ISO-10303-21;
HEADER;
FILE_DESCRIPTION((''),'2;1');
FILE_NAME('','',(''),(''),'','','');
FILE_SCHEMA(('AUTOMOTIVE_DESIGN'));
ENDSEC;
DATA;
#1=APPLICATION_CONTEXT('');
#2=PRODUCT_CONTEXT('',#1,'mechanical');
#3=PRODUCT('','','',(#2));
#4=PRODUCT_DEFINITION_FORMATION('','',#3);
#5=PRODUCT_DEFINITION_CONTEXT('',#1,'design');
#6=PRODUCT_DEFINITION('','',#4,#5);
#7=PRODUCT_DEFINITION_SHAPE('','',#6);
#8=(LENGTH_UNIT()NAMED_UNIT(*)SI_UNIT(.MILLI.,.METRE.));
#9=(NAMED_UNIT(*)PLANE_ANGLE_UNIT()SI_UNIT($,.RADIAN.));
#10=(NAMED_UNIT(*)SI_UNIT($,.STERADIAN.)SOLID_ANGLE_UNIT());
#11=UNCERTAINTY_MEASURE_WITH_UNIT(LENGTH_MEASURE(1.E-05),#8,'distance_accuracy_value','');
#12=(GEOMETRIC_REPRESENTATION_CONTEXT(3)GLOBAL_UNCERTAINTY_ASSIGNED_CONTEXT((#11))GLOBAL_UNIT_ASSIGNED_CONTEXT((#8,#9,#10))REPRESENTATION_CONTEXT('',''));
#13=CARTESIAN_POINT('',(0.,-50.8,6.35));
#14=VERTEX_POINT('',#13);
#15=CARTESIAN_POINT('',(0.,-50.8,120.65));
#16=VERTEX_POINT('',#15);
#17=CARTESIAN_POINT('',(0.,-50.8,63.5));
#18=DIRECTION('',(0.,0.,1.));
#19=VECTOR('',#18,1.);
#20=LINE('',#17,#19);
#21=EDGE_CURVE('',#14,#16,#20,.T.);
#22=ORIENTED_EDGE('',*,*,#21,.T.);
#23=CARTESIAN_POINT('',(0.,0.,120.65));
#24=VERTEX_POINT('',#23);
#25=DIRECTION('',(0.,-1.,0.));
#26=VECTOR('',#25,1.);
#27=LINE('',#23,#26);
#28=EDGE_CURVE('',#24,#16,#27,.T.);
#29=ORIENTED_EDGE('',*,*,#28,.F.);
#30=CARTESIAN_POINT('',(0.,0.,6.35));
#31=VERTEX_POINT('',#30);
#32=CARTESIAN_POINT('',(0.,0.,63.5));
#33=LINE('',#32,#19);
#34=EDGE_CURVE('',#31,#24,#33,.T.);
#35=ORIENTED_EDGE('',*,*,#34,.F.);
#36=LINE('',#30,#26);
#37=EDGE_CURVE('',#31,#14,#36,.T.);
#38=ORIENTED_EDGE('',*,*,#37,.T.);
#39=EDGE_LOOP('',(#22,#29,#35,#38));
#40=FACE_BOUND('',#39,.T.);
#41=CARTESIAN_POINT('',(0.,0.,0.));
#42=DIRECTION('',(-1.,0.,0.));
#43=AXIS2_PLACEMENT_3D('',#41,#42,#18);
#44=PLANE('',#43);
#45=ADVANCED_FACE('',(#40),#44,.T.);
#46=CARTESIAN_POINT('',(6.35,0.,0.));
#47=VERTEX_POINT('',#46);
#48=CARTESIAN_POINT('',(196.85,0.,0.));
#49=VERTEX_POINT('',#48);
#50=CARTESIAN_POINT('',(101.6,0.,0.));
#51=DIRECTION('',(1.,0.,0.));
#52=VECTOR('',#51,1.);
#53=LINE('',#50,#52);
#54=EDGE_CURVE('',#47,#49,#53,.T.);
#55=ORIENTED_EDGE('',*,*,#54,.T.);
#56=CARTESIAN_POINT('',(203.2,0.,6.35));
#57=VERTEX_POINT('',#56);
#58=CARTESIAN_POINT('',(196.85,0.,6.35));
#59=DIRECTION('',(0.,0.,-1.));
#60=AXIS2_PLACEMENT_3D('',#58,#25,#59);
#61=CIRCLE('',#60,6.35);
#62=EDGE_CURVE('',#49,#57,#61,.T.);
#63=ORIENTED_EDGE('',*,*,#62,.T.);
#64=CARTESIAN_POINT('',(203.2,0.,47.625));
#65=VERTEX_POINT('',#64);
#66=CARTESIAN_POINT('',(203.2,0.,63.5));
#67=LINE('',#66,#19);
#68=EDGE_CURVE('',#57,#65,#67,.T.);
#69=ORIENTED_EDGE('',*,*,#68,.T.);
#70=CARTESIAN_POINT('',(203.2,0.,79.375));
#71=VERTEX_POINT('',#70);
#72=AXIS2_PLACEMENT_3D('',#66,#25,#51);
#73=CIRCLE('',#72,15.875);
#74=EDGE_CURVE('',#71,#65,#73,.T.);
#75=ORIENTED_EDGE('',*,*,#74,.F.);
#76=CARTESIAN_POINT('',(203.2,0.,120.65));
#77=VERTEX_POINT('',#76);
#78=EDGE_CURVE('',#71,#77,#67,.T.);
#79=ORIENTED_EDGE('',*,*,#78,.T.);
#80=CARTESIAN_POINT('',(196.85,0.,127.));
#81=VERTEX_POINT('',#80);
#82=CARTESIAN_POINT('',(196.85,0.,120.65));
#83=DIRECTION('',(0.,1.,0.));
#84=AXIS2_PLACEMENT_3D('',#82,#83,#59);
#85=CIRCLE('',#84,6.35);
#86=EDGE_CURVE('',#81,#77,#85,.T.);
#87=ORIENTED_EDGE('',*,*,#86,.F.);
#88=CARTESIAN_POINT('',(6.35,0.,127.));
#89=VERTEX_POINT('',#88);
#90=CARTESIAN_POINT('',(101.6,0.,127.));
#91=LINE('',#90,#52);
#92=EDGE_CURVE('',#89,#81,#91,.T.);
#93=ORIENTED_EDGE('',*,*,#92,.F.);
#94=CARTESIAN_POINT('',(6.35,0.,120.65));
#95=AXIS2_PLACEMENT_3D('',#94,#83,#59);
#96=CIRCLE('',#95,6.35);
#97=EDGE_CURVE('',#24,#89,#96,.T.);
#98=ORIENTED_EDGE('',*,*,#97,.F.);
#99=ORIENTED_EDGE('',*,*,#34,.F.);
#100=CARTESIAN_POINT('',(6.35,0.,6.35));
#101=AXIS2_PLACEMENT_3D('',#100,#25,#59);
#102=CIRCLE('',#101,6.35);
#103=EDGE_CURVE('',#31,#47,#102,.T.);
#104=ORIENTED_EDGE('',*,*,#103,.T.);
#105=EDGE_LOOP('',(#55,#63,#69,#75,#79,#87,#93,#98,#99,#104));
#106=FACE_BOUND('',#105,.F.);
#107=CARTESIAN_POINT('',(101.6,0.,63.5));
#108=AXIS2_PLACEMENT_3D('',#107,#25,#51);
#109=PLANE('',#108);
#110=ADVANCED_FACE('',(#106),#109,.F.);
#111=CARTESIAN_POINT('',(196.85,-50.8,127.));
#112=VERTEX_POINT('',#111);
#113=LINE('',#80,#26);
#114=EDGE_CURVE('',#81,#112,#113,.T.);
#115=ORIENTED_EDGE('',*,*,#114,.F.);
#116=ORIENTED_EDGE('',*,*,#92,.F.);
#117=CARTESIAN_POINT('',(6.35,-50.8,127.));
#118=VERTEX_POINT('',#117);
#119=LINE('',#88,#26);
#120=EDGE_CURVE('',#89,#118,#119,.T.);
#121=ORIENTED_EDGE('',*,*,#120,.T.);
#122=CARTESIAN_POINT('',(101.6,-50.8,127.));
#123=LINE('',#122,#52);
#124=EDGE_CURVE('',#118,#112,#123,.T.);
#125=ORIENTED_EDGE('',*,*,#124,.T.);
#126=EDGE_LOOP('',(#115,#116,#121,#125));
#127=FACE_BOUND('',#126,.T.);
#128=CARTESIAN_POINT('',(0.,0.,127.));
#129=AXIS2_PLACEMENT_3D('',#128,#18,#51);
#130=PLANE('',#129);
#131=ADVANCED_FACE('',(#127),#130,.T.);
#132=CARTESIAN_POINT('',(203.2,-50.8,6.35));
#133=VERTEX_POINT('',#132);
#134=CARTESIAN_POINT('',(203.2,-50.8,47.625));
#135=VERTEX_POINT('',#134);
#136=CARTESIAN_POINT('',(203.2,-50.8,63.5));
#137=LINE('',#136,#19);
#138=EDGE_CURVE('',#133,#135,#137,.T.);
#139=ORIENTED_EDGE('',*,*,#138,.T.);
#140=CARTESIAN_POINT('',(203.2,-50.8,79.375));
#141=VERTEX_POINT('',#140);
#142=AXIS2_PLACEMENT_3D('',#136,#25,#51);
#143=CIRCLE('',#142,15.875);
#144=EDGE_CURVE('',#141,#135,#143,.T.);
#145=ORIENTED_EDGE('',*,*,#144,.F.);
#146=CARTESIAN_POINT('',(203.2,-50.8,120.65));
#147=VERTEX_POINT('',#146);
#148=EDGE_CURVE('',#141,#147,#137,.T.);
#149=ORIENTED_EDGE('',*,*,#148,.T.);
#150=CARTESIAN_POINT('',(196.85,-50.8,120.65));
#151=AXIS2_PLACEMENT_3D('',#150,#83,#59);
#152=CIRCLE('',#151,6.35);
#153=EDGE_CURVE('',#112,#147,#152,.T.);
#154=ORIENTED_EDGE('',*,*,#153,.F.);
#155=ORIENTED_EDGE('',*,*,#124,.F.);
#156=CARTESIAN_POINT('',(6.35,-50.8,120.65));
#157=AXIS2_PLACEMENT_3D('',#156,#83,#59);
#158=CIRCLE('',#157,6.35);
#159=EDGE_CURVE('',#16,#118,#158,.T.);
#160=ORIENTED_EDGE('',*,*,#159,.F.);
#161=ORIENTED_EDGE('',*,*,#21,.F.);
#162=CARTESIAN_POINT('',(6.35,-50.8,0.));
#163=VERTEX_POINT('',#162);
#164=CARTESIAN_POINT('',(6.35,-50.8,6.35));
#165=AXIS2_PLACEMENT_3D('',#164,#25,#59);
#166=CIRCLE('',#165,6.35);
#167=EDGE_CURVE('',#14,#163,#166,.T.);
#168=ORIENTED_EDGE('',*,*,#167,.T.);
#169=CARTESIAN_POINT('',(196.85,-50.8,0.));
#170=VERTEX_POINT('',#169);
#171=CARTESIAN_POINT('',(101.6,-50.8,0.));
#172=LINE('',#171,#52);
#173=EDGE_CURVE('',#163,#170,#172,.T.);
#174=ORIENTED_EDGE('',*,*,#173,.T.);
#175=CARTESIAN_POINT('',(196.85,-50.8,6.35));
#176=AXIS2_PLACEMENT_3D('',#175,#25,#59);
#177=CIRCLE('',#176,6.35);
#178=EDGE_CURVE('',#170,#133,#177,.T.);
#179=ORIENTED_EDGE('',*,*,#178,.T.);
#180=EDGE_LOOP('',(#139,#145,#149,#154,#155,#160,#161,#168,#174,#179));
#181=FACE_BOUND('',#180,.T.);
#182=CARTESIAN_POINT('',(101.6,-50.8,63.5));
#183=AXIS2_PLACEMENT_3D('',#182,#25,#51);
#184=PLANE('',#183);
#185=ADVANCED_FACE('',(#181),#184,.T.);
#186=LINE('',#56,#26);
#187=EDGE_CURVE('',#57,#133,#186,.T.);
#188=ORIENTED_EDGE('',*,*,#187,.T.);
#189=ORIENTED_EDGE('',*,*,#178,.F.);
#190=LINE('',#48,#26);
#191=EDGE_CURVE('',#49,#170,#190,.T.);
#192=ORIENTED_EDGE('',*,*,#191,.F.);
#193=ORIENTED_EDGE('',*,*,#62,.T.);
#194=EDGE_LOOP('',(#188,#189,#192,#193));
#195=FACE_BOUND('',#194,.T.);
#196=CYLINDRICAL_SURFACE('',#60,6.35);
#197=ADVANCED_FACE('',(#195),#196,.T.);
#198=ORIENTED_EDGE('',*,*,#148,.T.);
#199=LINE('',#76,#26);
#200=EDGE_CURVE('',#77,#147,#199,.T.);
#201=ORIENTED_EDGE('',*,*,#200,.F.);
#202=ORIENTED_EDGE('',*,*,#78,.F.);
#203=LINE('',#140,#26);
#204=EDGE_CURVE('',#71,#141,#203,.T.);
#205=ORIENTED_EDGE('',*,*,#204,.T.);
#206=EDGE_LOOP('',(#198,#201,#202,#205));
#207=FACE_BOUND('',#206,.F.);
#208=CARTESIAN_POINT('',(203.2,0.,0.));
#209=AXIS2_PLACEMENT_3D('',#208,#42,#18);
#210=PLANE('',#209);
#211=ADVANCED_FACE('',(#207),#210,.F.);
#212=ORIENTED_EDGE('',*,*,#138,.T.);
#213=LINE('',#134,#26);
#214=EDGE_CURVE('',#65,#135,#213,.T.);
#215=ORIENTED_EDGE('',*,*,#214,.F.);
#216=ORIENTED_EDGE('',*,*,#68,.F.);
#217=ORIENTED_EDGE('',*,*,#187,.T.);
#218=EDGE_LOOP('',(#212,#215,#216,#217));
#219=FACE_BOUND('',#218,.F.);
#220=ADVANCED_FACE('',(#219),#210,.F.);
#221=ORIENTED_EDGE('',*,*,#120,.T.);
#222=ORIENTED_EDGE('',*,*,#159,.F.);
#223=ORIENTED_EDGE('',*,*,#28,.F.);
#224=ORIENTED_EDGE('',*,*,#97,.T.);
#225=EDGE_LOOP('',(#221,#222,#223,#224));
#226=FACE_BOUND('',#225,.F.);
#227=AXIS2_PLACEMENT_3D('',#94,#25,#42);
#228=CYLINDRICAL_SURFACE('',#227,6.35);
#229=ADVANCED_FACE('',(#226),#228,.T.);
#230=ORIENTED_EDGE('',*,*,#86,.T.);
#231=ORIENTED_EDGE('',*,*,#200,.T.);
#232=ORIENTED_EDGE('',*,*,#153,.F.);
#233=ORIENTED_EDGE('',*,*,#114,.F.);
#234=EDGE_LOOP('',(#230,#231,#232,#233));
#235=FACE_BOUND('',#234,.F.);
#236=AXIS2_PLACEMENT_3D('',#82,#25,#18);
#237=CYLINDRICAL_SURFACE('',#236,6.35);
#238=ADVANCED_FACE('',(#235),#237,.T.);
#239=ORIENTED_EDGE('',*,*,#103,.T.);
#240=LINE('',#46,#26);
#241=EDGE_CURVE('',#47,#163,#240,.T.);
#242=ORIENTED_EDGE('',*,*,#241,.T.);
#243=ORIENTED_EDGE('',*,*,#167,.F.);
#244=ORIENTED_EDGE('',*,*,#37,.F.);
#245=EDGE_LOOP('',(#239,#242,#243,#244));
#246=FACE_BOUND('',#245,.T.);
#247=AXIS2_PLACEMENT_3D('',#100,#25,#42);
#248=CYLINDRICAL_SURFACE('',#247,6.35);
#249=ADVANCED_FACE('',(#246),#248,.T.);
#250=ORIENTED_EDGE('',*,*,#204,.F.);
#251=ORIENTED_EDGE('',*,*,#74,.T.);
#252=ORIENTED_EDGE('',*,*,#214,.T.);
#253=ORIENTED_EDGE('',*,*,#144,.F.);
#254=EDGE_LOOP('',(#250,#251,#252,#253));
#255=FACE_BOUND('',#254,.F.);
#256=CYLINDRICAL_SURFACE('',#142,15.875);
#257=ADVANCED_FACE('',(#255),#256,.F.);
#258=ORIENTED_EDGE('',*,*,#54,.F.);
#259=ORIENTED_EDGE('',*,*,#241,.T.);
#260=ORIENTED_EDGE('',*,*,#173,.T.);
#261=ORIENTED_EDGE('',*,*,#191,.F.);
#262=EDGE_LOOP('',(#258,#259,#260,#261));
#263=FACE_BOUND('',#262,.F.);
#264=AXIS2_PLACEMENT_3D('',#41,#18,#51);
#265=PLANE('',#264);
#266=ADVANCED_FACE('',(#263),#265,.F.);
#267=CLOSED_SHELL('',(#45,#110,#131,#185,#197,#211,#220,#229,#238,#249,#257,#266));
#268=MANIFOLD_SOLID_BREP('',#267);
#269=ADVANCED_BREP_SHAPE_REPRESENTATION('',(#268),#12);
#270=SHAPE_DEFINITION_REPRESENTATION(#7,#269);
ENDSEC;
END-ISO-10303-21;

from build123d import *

# Parameters (mm, degrees)
F0_W     = 203.2
F0_H     = 127
F1_DEPTH = 50.8
F2_R     = 15.875
F3_DEPTH = 50.801
F4_R     = 6.35


with BuildPart() as f1:
    # F0 (on Front) → F1 (new body)
    with BuildSketch(Plane.XZ):
        with Locations((101.6, 63.5)):
            Rectangle(F0_W, F0_H)
    extrude(amount=F1_DEPTH)

    # F2 (on face) → F3 (cut, through all)
    with BuildSketch(Plane.XZ.offset(50.8)):
        with Locations((203.2, 63.5)):
            Circle(F2_R)
    extrude(amount=-F3_DEPTH, mode=Mode.SUBTRACT)

    # F4
    f4_edges = [f1.edges().sort_by_distance(p)[0] for p in [
        (203.2, -25.4, 127),
        (203.2, -25.4, 0),
        (0, -25.4, 127),
        (0, -25.4, 0),
    ]]
    fillet(f4_edges, radius=F4_R)


solid = f1.part
